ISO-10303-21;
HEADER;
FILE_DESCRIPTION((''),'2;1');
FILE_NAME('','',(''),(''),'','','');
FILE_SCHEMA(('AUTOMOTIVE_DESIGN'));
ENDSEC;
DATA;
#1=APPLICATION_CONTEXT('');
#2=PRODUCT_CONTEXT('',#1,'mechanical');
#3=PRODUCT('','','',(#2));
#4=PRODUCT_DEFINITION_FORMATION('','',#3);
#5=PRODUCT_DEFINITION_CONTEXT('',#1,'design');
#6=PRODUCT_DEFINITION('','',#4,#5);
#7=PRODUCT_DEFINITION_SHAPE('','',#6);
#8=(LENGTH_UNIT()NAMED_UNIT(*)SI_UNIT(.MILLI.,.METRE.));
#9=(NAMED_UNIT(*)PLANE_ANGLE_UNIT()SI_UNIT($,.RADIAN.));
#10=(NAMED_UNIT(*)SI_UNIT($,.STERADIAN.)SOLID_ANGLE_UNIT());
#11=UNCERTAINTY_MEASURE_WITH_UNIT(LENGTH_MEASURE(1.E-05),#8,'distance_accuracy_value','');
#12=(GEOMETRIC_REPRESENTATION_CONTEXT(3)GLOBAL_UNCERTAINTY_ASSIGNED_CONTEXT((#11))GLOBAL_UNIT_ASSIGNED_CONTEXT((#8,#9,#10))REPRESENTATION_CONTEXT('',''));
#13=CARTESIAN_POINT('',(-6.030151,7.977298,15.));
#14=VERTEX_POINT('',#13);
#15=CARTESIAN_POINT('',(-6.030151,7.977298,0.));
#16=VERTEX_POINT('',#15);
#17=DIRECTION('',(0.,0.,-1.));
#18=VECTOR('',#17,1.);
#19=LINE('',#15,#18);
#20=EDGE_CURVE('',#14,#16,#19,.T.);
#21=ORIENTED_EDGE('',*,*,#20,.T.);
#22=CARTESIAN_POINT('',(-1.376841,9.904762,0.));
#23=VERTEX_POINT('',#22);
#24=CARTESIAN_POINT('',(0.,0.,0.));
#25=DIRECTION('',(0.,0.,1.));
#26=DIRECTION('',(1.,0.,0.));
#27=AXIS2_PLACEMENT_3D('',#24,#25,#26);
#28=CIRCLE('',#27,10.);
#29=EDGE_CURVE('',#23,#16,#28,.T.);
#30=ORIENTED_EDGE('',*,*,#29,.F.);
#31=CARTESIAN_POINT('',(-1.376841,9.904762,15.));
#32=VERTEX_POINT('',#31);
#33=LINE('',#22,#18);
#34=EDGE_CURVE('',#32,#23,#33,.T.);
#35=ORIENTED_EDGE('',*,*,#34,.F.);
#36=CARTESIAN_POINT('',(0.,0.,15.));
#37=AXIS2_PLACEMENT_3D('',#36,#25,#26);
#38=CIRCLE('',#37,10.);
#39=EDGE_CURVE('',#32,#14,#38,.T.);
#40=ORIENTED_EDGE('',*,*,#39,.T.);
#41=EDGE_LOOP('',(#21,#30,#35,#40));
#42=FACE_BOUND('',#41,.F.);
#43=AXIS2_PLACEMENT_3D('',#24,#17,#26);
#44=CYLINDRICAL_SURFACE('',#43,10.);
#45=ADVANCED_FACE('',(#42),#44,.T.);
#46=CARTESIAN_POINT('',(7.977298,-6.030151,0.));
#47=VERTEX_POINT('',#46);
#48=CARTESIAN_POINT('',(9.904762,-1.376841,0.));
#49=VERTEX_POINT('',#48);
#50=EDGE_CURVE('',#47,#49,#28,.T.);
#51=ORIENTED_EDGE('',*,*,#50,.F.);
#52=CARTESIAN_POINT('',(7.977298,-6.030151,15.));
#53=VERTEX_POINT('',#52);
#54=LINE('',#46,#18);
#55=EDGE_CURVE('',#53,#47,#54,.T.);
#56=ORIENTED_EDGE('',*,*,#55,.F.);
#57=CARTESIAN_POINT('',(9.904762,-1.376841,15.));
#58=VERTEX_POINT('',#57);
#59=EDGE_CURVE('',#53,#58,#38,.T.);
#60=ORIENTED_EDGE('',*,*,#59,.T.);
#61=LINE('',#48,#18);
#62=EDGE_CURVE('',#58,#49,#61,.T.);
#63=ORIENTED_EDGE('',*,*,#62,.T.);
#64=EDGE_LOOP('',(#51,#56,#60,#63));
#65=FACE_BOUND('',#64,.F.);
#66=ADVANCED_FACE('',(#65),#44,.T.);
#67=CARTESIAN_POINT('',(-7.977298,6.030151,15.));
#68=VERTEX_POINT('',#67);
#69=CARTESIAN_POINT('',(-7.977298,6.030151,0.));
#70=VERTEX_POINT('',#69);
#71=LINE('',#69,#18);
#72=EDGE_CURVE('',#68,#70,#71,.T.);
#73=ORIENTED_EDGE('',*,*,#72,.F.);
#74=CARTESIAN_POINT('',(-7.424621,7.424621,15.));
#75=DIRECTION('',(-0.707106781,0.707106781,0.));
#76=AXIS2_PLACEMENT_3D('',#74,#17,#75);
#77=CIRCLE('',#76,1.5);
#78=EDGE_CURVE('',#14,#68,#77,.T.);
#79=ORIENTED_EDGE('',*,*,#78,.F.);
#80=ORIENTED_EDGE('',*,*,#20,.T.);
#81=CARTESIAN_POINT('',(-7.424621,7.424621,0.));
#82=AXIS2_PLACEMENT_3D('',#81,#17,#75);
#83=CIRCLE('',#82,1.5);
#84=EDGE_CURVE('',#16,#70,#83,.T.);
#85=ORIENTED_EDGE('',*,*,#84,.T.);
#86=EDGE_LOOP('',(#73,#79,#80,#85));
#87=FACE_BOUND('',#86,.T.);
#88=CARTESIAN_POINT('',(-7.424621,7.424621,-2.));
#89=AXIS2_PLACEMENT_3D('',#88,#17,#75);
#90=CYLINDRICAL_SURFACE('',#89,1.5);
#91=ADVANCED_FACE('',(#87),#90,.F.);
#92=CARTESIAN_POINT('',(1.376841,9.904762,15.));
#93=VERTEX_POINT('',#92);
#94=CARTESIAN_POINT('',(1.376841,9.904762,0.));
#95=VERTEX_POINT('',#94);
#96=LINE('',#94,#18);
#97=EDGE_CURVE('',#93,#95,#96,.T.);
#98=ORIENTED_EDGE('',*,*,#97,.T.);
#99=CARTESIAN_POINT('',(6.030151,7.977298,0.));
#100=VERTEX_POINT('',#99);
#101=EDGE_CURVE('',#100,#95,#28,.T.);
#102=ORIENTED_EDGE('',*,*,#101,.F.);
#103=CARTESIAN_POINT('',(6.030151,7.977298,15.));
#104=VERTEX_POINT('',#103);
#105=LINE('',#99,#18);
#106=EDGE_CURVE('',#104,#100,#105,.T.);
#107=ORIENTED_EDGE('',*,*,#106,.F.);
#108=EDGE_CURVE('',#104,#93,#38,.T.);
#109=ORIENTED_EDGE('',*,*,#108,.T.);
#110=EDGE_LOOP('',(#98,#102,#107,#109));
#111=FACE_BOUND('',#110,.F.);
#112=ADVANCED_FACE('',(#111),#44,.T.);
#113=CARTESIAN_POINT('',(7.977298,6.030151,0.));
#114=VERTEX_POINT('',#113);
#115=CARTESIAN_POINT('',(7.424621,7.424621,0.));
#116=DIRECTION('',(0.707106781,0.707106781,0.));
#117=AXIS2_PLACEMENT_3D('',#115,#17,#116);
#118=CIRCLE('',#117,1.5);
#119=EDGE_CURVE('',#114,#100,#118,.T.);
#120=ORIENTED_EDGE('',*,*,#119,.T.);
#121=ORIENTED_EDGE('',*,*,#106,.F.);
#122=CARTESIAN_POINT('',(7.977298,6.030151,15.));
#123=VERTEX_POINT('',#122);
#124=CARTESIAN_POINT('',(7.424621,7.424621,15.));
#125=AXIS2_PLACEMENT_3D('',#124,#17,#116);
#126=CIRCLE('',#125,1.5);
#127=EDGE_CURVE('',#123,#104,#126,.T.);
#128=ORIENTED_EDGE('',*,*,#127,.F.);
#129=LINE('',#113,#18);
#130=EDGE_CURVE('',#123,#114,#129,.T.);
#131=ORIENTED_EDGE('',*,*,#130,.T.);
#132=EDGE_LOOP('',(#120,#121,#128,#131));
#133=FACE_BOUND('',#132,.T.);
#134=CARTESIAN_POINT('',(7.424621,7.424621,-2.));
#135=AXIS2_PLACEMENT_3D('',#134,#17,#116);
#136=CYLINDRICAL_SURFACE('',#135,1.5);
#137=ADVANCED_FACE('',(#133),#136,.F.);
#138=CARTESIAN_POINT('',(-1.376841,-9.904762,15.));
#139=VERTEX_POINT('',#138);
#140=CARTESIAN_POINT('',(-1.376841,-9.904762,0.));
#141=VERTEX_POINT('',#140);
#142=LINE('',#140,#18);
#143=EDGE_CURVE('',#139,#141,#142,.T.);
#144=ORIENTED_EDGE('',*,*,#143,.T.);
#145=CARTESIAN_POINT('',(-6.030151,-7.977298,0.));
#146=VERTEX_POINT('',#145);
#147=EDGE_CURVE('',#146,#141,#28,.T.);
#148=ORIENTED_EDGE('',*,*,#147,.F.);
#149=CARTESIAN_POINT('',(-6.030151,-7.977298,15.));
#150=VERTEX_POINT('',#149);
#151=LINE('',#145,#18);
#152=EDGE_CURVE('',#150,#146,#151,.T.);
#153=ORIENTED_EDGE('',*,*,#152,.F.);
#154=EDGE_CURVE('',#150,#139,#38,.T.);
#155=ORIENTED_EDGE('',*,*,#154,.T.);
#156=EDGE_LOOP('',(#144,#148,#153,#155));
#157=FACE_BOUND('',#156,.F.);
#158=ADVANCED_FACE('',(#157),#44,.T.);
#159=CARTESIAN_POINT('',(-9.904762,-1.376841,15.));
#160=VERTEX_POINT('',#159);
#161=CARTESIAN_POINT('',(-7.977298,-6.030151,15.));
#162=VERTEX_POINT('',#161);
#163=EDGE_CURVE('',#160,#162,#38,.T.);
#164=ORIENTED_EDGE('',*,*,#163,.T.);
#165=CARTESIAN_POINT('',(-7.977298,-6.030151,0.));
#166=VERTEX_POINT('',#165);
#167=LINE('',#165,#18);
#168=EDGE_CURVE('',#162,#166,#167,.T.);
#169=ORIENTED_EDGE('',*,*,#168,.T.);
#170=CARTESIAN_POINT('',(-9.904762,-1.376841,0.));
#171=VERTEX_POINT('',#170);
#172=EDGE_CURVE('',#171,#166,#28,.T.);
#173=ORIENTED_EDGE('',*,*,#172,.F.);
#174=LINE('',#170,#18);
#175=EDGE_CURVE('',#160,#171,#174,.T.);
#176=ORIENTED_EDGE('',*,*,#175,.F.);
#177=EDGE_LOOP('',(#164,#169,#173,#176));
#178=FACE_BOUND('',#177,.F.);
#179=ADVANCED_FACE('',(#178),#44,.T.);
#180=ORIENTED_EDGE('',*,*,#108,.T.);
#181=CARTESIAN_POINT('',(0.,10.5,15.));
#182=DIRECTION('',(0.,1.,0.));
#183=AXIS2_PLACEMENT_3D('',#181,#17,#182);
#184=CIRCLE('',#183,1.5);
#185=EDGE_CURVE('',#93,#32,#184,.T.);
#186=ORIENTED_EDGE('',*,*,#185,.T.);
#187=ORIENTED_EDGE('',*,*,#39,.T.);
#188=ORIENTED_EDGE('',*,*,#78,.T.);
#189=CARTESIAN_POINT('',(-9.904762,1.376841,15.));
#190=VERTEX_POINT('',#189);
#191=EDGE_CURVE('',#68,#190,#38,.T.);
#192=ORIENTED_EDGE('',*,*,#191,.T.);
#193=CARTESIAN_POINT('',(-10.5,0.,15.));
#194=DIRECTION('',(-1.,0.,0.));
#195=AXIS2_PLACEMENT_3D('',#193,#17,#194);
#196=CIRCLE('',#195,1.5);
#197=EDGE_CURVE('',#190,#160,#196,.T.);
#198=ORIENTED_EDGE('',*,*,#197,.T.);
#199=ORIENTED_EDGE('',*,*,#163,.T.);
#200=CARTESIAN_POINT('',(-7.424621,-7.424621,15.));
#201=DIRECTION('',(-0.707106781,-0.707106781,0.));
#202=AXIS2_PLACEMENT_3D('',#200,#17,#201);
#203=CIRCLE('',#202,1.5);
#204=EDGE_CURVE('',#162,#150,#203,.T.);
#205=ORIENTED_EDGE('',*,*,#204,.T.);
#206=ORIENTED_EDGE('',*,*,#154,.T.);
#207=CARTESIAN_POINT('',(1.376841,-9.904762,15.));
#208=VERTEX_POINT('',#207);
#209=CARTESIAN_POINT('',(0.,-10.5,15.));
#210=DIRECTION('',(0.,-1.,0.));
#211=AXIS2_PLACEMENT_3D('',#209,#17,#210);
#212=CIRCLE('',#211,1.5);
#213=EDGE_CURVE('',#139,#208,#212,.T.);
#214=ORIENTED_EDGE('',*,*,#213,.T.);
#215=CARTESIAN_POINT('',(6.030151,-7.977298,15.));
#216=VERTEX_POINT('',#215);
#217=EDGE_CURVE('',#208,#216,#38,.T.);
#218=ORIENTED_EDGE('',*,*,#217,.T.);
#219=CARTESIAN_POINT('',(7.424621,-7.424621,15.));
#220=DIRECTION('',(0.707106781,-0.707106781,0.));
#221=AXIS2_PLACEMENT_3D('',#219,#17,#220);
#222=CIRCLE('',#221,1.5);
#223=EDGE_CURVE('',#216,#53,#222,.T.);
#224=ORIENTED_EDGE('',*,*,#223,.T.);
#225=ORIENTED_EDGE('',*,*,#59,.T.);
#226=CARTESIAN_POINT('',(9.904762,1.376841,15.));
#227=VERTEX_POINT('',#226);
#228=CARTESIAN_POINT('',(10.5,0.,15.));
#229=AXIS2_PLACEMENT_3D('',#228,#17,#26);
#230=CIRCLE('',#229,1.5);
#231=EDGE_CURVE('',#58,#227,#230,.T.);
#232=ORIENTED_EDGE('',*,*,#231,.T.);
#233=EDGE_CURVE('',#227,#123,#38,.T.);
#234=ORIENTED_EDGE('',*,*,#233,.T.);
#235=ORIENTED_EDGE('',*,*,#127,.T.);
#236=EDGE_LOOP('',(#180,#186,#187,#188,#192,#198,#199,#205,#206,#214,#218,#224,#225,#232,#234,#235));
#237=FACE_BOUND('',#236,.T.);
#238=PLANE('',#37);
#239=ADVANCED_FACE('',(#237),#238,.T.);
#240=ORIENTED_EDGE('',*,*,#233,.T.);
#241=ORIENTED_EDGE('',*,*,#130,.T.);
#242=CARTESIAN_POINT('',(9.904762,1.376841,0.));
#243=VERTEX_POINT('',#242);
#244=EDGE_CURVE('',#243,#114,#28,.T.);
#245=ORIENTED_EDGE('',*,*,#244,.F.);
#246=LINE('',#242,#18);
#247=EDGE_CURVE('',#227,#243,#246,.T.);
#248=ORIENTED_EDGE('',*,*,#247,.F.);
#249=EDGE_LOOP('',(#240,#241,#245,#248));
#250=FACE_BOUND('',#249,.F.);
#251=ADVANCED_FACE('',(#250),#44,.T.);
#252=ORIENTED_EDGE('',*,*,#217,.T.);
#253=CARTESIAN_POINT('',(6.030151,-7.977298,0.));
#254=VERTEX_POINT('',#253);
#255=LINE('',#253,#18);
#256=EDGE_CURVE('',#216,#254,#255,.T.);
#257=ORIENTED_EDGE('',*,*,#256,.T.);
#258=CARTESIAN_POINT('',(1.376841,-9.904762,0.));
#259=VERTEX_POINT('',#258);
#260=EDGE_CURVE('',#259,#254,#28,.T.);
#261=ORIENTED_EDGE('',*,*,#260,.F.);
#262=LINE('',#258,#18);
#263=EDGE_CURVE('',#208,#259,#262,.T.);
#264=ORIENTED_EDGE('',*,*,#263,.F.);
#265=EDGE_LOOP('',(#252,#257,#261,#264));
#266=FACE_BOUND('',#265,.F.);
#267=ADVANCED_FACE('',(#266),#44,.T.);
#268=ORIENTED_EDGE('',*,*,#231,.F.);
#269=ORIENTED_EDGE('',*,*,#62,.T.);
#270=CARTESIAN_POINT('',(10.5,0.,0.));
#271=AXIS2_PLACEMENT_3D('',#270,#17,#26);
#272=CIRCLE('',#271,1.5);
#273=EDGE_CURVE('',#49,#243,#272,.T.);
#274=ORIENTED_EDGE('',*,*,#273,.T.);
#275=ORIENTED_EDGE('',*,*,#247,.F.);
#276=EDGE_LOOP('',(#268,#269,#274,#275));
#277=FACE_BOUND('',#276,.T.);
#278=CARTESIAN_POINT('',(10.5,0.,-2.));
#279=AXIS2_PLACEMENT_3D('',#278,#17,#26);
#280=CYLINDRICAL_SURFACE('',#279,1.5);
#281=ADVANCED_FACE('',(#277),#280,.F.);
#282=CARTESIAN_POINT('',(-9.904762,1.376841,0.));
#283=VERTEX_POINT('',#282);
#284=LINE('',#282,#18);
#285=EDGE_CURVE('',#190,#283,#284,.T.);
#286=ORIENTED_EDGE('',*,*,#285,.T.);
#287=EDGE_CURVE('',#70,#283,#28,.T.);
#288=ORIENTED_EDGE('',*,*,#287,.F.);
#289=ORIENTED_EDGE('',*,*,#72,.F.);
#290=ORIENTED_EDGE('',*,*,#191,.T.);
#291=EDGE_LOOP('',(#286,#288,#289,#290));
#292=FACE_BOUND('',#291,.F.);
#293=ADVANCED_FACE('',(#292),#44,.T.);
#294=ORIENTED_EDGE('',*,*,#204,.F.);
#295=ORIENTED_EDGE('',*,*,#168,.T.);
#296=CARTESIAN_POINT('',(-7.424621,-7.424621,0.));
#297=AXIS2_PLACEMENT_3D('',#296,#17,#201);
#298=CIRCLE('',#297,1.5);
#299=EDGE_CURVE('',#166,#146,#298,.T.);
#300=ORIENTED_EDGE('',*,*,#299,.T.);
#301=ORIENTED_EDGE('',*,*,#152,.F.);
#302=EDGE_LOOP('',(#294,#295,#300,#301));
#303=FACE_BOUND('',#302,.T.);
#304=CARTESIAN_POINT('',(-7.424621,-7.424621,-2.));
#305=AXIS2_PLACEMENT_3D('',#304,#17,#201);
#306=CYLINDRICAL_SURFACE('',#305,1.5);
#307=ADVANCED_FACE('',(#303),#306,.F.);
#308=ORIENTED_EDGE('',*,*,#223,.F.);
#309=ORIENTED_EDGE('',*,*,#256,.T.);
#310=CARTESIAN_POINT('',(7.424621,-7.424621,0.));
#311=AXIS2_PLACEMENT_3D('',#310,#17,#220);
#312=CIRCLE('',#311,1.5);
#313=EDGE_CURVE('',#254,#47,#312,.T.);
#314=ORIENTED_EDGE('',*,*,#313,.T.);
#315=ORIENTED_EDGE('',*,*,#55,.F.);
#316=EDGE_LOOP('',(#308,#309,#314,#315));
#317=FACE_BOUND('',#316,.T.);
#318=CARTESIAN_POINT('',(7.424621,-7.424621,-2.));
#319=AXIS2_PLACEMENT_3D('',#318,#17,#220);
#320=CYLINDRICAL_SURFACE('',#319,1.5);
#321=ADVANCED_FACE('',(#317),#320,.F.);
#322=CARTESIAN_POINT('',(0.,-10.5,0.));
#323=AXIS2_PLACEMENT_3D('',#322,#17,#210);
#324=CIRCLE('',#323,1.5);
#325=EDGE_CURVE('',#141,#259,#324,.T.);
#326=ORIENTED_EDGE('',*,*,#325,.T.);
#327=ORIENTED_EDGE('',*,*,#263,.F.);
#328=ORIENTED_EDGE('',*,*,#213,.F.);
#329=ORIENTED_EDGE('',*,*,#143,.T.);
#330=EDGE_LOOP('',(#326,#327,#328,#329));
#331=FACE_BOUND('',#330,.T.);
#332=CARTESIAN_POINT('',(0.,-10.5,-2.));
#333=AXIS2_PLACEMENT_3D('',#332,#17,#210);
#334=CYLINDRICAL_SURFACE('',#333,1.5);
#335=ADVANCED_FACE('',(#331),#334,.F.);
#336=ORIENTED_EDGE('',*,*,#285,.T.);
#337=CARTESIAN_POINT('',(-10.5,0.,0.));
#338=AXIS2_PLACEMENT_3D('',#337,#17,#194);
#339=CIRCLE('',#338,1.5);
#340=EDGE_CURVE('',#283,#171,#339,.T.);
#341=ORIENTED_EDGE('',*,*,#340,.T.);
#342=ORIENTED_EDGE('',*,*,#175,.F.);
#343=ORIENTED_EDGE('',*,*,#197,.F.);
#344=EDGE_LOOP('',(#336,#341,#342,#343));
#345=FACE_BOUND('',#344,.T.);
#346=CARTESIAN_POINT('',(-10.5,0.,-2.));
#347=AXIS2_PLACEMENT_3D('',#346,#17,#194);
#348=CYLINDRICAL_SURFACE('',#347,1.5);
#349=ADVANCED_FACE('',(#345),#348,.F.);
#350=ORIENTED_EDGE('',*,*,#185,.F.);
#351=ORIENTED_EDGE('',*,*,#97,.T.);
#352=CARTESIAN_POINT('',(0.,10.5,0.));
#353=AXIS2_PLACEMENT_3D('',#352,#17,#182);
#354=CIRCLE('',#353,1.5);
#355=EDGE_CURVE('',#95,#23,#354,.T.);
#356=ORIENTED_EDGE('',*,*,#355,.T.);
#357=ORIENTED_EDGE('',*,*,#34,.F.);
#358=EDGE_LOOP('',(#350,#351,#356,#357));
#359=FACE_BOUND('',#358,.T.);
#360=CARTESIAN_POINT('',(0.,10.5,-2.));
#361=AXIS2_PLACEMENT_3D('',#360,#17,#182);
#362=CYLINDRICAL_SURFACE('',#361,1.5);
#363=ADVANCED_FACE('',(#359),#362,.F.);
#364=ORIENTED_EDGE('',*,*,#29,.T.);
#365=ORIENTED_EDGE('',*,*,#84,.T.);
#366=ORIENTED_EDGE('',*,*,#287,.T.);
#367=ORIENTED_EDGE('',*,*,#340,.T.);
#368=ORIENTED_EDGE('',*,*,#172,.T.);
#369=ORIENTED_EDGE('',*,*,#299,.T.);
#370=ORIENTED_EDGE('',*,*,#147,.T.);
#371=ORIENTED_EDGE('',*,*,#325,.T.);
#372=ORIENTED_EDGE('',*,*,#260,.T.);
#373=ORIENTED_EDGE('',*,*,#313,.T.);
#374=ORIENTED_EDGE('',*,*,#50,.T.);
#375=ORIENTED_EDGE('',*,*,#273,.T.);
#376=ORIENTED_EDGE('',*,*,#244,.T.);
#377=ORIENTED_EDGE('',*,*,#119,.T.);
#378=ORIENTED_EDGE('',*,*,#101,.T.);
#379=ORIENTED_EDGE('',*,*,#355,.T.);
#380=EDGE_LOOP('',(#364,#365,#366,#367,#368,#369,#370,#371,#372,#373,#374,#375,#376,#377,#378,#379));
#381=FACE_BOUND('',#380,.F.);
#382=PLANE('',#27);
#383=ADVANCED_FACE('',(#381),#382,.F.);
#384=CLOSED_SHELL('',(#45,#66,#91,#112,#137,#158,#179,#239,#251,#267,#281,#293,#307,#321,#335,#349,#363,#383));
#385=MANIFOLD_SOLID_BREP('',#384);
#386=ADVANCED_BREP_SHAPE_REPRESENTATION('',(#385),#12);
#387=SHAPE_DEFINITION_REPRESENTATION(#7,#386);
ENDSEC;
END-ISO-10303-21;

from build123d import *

# Parameters (mm, degrees)
CYLINDER001_R     = 1.5
CYLINDER001_DEPTH = 19
ARRAY_COUNT       = 8
CYLINDER_R        = 10
CYLINDER_DEPTH    = 15


with BuildPart() as muescas:
    # Cylinder001 → Cylinder001 (new body)
    with BuildSketch(Plane(origin=(10.5, 0, -2), x_dir=(1, 0, 0), z_dir=(0, 0, 1))):
        Circle(CYLINDER001_R)
    extrude(amount=CYLINDER001_DEPTH)

    # Array: muescas ×8 about axis
    array_axis = Axis((0, 0, 0), (0, 0, 1))


with BuildPart() as muescas_1:
    add(muescas.part)
    for i in range(1, ARRAY_COUNT):
        add(muescas.part.rotate(array_axis, i * 360 / ARRAY_COUNT))


with BuildPart() as cut:
    # Cylinder → Cylinder (new body)
    with BuildSketch(Plane.XY):
        Circle(CYLINDER_R)
    extrude(amount=CYLINDER_DEPTH)

    # Cut: cut muescas
    add(muescas_1.part, mode=Mode.SUBTRACT)


solid = cut.part
